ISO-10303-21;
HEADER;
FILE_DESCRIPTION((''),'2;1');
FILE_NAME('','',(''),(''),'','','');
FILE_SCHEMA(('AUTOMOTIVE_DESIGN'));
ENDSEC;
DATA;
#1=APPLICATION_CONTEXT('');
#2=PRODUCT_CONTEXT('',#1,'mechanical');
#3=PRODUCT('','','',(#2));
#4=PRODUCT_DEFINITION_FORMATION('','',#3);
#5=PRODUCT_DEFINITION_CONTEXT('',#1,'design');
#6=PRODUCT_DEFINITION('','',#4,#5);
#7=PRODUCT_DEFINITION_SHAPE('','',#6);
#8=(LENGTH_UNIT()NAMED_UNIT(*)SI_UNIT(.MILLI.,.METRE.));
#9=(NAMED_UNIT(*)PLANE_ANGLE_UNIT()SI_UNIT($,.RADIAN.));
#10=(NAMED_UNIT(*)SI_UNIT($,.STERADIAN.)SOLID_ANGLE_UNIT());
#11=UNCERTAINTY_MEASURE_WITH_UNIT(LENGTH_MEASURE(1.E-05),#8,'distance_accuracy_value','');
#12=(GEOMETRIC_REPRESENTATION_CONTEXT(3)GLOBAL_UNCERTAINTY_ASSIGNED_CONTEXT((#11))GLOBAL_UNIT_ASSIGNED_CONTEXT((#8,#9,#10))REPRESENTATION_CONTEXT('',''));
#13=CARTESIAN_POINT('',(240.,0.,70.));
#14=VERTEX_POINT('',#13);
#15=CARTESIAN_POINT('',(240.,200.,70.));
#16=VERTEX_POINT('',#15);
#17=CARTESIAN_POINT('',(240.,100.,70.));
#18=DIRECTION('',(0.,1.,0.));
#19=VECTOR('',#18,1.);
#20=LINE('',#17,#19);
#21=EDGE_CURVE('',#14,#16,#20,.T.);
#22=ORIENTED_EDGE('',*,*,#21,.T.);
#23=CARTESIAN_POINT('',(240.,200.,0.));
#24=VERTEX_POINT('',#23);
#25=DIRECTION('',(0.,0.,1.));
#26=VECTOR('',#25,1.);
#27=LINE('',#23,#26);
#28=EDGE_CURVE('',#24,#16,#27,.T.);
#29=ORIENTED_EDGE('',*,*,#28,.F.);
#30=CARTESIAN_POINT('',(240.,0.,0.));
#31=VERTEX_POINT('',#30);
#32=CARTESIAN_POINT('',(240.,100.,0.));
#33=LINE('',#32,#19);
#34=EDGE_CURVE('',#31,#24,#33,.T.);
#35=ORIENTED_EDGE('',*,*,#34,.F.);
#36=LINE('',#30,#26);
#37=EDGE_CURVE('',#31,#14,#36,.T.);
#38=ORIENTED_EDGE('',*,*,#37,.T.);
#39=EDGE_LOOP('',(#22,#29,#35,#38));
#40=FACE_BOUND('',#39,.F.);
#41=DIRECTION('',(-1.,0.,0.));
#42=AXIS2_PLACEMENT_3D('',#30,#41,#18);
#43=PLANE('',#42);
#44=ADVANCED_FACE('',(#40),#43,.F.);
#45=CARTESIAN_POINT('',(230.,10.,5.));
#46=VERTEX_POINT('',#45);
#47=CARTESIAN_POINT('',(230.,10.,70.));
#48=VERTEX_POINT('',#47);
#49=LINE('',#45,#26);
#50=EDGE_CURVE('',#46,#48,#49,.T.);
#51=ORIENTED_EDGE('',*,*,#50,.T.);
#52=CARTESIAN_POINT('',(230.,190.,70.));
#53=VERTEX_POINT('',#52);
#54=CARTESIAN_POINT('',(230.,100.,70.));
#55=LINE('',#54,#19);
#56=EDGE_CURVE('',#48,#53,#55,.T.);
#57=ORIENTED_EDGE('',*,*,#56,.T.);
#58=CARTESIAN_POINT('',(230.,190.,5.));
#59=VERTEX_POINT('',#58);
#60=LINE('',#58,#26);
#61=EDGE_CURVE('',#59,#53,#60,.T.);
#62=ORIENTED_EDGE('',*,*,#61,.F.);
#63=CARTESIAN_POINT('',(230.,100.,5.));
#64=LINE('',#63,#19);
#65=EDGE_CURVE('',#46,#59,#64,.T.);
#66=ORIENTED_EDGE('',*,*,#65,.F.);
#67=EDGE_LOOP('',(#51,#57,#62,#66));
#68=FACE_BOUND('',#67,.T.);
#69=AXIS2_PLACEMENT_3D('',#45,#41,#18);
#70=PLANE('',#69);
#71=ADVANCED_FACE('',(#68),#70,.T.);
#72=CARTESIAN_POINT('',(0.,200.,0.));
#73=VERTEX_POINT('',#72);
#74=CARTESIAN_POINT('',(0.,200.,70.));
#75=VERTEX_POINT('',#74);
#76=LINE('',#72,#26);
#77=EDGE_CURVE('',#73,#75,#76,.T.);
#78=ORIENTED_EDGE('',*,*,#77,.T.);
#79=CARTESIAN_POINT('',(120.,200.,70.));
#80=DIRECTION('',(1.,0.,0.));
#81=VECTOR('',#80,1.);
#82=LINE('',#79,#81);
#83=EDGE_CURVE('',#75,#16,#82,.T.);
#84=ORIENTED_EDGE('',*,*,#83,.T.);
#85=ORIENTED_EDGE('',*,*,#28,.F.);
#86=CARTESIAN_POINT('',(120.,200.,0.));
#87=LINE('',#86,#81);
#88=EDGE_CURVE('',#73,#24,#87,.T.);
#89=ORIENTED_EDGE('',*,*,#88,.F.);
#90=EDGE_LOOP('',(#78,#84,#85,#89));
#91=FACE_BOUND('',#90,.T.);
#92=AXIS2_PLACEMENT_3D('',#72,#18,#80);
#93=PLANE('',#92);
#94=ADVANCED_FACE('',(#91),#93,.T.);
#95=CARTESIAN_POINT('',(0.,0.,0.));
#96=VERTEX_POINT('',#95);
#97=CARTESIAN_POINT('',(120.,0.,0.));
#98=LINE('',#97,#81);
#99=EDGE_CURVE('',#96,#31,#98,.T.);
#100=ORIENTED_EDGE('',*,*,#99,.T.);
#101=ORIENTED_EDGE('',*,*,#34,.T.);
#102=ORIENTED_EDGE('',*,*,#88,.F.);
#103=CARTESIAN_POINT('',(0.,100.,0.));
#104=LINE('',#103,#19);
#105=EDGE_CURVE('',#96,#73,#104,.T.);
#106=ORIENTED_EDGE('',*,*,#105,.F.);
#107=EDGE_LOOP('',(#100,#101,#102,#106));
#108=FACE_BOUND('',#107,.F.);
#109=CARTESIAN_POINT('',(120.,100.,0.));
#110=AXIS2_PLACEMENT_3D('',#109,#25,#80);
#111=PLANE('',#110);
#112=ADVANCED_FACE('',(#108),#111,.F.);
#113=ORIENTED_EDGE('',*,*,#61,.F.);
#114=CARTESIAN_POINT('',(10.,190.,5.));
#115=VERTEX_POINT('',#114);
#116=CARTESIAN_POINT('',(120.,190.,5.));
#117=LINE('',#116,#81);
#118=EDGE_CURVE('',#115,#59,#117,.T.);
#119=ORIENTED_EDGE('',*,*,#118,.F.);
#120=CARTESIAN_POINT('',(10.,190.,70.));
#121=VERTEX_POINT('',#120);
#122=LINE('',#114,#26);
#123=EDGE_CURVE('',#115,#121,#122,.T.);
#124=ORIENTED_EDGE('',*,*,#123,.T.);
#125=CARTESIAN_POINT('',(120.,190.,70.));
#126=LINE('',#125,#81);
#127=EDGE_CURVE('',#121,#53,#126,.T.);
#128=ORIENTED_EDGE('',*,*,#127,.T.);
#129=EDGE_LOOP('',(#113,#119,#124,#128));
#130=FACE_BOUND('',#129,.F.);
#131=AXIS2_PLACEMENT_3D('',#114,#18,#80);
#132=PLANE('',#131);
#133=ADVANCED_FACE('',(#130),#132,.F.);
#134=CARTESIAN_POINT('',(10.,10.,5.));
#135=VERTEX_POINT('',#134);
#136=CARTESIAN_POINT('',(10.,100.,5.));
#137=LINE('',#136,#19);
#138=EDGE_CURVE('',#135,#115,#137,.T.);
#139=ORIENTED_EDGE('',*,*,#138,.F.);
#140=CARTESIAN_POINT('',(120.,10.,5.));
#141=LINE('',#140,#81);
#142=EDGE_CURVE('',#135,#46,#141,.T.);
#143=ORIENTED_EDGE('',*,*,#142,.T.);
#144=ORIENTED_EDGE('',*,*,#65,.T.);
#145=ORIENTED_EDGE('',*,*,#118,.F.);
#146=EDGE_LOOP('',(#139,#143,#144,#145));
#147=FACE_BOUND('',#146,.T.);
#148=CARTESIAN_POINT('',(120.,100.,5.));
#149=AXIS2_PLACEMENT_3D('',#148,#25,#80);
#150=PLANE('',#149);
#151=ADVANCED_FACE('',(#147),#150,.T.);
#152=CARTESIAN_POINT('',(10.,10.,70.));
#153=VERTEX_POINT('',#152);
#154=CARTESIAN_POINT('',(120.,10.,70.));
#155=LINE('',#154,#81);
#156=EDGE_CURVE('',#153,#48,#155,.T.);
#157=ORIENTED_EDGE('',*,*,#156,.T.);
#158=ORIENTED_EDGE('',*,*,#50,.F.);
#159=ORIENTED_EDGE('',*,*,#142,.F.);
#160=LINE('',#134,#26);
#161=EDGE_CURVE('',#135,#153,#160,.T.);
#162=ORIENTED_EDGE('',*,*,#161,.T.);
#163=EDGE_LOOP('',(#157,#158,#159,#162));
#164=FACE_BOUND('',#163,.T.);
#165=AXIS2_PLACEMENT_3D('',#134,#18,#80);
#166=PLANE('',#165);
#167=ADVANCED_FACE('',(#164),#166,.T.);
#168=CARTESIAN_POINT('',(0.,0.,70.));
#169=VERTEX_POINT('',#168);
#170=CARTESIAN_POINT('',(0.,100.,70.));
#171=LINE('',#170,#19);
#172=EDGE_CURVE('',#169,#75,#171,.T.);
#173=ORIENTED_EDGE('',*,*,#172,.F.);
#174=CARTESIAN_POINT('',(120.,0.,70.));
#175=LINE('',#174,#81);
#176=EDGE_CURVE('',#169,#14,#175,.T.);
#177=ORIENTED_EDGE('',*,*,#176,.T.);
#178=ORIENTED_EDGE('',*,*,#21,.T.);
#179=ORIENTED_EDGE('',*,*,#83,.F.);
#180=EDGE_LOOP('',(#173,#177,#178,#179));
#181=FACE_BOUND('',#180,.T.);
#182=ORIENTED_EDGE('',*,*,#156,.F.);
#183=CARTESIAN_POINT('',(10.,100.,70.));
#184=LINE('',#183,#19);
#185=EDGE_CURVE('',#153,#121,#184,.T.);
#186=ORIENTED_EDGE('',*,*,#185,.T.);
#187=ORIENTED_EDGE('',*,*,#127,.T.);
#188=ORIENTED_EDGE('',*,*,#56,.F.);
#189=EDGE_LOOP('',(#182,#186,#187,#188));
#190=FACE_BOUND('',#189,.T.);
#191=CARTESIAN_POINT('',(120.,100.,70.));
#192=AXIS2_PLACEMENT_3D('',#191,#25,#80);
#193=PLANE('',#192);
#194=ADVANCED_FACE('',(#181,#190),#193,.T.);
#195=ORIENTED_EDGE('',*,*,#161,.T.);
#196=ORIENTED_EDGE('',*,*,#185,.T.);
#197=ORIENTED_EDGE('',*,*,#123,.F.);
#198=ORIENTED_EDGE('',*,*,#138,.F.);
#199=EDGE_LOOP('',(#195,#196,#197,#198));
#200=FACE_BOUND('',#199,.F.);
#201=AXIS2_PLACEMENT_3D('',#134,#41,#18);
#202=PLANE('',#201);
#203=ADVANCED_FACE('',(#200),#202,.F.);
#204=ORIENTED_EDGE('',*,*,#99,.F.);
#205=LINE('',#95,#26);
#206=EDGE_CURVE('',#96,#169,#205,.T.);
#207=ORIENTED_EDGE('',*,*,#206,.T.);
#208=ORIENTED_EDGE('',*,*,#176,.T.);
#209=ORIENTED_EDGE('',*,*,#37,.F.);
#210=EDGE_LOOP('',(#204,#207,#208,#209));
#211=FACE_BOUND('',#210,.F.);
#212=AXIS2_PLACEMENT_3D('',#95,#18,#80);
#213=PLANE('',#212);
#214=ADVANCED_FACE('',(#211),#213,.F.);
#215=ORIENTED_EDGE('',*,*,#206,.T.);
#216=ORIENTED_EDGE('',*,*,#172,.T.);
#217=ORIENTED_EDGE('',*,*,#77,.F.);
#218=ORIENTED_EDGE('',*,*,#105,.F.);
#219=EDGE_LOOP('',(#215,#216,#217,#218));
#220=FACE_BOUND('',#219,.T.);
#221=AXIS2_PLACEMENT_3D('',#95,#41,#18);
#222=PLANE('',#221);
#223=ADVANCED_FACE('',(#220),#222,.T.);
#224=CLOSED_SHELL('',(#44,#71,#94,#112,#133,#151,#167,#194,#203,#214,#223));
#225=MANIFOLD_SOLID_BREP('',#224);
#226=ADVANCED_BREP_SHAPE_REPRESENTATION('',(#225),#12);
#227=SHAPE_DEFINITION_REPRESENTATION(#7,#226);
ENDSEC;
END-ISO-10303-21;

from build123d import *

# Parameters (mm, degrees)
BOX001_W     = 220
BOX001_H     = 180
BOX001_DEPTH = 65
BOX_W        = 240
BOX_H        = 200
BOX_DEPTH    = 70


with BuildPart() as cubo001:
    # Box001 → Box001 (new body)
    with BuildSketch(Plane(origin=(10, 10, 5), x_dir=(1, 0, 0), z_dir=(0, 0, 1))):
        with Locations((110, 90)):
            Rectangle(BOX001_W, BOX001_H)
    extrude(amount=BOX001_DEPTH)


with BuildPart() as box:
    # Box → Box (new body)
    with BuildSketch(Plane.XY):
        with Locations((120, 100)):
            Rectangle(BOX_W, BOX_H)
    extrude(amount=BOX_DEPTH)

    # Cut: cut Cubo001
    add(cubo001.part, mode=Mode.SUBTRACT)


solid = box.part
